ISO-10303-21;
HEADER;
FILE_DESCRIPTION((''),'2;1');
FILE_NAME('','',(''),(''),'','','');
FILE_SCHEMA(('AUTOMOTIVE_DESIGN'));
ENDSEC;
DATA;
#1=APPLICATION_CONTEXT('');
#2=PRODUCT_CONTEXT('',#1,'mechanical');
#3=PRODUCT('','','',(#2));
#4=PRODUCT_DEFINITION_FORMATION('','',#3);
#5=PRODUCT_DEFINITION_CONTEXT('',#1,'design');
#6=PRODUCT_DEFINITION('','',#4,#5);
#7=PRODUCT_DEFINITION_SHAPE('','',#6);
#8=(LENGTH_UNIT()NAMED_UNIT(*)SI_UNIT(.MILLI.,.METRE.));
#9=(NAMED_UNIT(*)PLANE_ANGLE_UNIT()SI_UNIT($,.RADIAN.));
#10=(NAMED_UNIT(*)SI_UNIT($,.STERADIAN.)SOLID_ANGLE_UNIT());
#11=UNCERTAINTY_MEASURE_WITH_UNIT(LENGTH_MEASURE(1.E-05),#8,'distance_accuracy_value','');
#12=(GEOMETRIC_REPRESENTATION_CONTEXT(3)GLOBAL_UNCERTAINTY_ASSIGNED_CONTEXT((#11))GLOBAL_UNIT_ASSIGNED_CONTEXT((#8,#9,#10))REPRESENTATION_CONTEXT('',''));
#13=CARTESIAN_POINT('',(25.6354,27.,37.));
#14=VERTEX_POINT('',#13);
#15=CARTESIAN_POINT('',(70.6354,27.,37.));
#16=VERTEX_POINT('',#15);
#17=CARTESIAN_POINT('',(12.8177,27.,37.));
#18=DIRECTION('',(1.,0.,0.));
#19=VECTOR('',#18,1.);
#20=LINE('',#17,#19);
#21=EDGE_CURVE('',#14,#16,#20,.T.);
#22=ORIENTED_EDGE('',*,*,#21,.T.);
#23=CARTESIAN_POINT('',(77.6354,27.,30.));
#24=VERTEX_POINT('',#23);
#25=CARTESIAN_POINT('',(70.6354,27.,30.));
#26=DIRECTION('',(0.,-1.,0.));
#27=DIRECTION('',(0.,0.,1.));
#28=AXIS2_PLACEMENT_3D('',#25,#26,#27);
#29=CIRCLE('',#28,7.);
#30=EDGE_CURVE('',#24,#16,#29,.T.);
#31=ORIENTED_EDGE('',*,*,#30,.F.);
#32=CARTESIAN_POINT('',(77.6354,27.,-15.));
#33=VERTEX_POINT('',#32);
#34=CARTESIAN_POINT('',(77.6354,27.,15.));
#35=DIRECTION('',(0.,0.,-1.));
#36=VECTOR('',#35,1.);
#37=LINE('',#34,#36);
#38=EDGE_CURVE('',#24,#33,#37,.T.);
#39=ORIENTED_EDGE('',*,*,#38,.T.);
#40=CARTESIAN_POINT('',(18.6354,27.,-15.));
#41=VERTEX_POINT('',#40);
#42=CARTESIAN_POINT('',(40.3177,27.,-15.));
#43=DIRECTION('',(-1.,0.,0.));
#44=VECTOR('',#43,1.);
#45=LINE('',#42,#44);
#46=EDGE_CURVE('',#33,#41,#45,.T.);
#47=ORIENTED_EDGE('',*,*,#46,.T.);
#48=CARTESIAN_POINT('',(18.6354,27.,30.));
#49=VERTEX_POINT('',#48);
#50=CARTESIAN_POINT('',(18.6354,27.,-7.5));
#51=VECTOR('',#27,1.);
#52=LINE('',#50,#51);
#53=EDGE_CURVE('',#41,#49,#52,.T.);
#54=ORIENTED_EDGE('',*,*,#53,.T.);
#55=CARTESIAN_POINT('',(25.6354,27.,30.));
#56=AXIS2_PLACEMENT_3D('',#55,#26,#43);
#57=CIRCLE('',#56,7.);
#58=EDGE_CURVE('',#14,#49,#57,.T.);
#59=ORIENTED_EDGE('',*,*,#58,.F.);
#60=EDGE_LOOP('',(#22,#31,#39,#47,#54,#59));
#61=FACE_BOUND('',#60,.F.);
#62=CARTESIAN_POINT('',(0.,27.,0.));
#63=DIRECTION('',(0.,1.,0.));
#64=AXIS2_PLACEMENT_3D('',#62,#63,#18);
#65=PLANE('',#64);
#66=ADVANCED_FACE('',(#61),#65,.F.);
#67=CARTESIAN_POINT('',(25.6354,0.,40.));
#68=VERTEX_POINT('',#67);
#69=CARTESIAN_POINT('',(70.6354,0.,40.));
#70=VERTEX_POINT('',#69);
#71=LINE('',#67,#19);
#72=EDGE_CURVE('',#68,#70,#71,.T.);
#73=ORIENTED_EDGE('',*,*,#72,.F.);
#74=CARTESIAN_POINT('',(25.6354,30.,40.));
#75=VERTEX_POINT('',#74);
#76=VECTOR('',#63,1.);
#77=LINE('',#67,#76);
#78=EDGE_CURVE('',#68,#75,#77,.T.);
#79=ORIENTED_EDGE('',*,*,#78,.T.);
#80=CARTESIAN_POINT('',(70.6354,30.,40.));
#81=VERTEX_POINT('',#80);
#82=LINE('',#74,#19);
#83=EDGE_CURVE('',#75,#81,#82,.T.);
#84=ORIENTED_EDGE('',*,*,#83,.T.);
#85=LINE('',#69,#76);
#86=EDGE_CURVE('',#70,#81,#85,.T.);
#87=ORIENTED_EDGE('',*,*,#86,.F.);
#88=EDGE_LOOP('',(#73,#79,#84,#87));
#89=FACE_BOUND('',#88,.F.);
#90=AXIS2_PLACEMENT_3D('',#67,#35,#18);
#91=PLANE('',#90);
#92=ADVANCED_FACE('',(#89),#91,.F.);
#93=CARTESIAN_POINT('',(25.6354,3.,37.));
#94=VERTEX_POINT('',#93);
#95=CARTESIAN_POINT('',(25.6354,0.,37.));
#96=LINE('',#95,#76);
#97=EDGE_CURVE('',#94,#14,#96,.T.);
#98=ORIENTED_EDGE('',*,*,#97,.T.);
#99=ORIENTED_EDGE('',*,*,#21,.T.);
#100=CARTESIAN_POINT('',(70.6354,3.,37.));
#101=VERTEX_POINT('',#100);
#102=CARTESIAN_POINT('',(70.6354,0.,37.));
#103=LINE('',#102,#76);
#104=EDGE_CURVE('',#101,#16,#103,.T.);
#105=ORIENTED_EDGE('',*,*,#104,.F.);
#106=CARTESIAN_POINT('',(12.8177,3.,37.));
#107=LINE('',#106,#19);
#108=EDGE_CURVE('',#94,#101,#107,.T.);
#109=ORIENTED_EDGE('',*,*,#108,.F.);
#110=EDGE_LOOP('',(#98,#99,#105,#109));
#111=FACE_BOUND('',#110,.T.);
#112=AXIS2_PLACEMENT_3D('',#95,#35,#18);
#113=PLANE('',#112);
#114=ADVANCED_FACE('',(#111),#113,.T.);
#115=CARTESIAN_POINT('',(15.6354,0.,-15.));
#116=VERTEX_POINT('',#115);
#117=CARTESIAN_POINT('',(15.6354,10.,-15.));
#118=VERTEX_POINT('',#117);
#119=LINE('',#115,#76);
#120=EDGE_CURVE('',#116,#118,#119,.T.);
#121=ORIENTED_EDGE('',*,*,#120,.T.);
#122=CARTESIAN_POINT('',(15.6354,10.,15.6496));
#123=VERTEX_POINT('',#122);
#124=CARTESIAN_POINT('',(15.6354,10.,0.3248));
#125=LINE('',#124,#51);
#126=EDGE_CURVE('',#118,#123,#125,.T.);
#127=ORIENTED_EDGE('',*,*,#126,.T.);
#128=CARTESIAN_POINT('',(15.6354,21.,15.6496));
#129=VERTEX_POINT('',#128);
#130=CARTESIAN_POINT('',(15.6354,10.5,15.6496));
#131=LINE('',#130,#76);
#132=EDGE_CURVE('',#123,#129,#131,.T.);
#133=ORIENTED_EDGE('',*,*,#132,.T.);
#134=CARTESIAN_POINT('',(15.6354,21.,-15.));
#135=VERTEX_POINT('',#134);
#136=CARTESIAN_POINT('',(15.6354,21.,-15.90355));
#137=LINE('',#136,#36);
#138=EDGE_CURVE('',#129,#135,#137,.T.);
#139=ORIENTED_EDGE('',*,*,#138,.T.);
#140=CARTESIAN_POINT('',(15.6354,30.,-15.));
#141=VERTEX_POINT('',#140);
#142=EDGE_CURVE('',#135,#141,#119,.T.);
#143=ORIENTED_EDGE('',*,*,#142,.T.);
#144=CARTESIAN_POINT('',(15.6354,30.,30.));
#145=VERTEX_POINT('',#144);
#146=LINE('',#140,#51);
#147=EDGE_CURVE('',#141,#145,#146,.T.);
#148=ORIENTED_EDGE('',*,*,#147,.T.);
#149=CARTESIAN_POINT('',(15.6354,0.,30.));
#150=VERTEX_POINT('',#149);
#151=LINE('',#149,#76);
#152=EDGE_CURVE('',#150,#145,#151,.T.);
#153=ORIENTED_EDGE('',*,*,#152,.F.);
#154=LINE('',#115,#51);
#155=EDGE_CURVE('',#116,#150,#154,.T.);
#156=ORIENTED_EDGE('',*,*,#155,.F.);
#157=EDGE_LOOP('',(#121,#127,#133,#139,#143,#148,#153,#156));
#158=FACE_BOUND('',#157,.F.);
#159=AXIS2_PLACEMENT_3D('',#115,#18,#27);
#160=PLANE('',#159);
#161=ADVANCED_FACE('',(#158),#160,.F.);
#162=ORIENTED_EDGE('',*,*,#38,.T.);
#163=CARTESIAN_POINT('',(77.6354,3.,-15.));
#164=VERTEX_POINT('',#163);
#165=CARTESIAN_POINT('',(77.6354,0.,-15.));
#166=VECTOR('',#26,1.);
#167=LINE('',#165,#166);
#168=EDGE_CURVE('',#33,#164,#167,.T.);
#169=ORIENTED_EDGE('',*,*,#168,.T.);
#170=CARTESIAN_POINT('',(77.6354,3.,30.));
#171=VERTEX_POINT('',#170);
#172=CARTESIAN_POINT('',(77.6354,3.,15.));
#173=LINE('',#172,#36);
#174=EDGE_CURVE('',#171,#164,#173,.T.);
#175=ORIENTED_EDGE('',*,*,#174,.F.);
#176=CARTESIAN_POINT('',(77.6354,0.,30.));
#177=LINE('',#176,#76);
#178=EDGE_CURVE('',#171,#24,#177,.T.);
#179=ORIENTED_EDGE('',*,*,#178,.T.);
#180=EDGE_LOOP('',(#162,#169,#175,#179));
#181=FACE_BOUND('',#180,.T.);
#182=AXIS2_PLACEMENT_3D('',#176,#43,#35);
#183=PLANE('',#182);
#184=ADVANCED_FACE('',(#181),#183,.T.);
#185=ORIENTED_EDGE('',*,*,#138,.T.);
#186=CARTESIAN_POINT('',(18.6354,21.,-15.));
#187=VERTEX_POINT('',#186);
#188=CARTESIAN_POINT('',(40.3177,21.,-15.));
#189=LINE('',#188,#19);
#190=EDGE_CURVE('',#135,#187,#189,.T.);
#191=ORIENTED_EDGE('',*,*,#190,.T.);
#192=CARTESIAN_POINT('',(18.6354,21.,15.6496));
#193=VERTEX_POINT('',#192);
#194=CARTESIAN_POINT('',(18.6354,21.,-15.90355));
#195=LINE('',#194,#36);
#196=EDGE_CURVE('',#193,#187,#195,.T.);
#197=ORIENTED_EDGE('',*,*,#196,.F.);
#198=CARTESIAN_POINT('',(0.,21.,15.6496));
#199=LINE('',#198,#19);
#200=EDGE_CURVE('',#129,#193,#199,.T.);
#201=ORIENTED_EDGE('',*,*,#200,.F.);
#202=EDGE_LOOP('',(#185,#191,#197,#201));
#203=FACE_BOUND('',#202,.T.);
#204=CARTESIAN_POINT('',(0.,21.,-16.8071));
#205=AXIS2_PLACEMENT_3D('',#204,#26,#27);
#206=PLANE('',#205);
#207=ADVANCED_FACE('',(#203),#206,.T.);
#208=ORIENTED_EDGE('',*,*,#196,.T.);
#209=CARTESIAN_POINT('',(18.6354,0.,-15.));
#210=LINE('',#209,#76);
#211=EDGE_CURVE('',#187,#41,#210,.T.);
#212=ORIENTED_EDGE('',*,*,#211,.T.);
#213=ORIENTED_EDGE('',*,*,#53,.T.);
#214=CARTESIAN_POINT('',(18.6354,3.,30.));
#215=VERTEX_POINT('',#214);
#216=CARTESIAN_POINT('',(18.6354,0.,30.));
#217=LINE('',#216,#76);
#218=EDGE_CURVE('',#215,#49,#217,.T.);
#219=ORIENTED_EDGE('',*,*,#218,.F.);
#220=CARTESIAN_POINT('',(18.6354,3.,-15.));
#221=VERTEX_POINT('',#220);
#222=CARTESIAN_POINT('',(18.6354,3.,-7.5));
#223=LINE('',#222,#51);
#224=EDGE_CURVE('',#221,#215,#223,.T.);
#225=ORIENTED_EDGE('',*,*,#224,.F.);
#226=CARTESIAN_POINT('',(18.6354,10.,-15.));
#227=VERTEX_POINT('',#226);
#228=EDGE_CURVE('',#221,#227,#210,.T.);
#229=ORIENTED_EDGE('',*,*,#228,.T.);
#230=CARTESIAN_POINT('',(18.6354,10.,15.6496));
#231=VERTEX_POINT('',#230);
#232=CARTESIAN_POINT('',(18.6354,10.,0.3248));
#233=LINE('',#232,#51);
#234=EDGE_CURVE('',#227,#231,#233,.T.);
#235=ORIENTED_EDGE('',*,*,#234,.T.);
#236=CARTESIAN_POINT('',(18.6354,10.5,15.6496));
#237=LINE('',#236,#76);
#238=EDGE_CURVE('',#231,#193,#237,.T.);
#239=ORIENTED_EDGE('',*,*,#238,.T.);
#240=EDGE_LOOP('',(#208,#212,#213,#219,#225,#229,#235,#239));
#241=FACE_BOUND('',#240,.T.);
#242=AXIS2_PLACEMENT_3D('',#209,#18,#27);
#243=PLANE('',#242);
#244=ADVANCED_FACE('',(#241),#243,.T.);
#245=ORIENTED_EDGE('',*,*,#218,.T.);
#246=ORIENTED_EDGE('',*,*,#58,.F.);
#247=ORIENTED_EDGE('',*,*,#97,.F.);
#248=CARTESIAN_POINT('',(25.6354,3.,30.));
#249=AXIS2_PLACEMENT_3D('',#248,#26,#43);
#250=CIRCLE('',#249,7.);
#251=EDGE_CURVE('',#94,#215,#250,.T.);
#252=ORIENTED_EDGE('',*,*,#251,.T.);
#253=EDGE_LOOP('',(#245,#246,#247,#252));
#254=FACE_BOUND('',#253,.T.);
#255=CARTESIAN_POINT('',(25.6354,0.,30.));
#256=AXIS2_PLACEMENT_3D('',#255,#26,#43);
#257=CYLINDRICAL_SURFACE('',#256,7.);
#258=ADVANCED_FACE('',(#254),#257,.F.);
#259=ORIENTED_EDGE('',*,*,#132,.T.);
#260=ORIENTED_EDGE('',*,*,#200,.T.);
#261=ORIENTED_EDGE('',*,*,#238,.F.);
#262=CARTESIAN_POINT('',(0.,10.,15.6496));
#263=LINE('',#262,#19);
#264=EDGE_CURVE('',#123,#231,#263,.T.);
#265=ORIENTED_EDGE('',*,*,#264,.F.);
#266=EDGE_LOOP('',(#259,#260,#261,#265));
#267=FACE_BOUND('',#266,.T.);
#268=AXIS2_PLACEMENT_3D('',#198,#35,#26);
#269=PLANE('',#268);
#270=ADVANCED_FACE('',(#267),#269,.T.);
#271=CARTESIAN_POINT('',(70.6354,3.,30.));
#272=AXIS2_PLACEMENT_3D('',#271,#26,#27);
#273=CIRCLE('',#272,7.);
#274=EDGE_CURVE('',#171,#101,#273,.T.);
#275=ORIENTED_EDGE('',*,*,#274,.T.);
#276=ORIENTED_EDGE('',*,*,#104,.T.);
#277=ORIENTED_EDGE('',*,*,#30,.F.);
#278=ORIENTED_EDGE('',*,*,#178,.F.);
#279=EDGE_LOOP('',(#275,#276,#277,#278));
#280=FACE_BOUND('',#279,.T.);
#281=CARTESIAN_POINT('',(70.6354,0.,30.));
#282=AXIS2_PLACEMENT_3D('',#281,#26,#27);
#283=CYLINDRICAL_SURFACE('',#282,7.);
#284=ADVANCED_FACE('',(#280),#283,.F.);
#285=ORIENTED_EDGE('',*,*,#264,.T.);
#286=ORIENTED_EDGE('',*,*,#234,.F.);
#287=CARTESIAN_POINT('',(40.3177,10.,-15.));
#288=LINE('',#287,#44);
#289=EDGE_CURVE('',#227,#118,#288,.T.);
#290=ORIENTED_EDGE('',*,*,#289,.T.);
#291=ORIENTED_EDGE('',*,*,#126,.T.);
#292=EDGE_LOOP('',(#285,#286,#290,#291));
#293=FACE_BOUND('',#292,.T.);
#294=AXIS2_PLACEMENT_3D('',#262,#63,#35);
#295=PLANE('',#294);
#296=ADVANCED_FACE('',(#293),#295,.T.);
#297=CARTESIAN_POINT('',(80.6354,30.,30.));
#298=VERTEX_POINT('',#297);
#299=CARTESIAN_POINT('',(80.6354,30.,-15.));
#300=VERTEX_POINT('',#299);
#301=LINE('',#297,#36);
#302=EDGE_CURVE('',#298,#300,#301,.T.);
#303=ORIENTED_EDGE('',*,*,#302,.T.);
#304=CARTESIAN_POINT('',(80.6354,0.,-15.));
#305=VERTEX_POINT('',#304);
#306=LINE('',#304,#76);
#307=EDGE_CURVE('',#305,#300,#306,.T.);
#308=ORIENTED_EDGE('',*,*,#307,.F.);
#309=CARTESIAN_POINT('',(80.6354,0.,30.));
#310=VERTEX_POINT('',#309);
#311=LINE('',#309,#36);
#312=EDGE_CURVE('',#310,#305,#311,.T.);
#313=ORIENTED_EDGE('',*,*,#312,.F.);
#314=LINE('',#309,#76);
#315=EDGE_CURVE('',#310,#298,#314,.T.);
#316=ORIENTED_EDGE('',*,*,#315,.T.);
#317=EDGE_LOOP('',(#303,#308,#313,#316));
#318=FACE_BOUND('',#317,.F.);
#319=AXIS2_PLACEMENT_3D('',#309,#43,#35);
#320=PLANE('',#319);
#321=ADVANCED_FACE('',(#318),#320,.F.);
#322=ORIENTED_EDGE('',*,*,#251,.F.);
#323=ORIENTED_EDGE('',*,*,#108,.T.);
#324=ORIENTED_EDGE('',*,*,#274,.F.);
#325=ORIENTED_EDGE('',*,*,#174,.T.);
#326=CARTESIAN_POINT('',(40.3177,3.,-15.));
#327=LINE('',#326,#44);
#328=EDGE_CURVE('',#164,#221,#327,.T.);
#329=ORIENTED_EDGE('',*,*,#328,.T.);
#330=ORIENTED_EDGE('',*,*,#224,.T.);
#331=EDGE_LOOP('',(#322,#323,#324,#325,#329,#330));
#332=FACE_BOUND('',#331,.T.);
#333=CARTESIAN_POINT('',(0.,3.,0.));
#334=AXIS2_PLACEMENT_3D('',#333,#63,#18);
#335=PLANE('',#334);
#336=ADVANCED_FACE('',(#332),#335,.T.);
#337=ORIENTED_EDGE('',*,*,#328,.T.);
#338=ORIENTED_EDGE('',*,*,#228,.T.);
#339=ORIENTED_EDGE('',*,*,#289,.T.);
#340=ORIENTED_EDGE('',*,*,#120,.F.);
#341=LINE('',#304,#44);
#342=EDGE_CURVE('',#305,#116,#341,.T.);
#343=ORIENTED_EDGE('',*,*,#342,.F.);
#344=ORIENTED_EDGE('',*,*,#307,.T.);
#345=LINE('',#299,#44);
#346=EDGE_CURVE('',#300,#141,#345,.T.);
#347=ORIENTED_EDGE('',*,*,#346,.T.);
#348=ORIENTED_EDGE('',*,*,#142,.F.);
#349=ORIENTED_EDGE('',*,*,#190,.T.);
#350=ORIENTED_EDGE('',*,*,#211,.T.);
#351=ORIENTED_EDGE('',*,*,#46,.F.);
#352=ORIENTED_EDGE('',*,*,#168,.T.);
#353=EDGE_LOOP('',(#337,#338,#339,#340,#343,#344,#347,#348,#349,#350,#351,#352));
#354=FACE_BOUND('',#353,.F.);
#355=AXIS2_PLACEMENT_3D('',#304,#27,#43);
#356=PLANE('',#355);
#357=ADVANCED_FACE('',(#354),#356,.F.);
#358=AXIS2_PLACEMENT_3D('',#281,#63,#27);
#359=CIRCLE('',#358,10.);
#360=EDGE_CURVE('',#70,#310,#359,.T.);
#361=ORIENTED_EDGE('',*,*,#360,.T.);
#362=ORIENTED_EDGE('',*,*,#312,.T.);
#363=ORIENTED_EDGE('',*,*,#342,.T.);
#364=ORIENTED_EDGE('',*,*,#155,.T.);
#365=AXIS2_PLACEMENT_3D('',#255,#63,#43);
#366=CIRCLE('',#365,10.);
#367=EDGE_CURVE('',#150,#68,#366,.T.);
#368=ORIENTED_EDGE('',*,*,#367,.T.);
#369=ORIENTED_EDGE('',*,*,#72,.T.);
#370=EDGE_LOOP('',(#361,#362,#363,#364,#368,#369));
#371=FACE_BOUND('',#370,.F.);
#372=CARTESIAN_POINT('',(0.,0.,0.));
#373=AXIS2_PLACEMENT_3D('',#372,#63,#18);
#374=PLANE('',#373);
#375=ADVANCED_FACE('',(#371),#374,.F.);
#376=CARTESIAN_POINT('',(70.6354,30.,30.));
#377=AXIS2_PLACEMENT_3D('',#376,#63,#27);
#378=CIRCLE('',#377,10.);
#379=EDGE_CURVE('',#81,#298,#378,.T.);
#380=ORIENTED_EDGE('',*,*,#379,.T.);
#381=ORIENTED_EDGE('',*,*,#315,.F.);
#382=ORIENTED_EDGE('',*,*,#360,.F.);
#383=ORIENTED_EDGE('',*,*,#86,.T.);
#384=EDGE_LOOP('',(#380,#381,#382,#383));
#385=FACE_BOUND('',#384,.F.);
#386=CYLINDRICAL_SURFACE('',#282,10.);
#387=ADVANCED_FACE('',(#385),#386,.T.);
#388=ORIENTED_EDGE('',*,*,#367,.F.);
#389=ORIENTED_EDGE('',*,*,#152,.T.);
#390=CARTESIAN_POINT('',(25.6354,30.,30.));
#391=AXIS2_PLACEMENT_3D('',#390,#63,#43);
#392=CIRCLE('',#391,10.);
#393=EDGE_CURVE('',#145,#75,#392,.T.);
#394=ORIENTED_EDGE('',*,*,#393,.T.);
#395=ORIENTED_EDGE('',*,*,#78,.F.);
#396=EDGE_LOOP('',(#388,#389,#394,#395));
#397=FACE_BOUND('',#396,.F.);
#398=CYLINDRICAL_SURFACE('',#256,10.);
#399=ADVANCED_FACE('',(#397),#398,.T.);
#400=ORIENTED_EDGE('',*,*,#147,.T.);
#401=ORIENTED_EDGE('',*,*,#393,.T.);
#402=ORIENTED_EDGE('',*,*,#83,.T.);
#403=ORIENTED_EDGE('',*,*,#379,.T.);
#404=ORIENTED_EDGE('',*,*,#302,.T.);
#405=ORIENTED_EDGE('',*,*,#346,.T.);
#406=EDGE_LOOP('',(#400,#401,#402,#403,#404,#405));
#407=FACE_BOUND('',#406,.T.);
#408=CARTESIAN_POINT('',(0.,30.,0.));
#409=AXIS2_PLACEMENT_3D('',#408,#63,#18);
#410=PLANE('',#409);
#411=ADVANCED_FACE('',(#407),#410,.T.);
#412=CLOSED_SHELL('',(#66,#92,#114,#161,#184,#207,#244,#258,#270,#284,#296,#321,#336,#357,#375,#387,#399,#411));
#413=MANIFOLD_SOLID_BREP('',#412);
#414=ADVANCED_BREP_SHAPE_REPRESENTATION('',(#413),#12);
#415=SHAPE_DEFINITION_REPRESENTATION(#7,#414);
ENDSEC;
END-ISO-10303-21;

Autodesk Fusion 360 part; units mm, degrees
sketch "Sketch1" plane through (0, 0, 0) normal (0, 1, 0) x (1, 0, 0)
  line L0 (25.6354, -40) -> (70.6354, -40)
  line L1 (80.6354, -30) -> (80.6354, 15)
  line L2 (80.6354, 15) -> (15.6354, 15)
  line L3 (15.6354, 15) -> (15.6354, -30)
  arc A0 (15.6354, -30) -> (25.6354, -40) centre (25.6354, -30) ccw
  arc A1 (70.6354, -40) -> (80.6354, -30) centre (70.6354, -30) ccw
  dimension "d1" = 65
  dimension "d2" = 55
  dimension "d3" = 10
  dimension "d4" = 10
extrude "Extrude2" add sketch "Sketch1" along normal blind 30
shell "Shell2" thickness 3 removed faces 1 at (58.9688, 20, -15)
sketch "Sketch2" plane through (0, 0, 0) normal (1, 0, 0) x (0, 1, 0)
  line L0 (21, 15.6496) -> (10, 15.6496)
  line L1 (10, 15.6496) -> (10, -16.8071)
  line L2 (10, -16.8071) -> (21, -16.8071)
  line L3 (21, -16.8071) -> (21, 15.6496)
  dimension "d11" = 11
extrude "Extrude3" cut sketch "Sketch2" along normal blind 25
